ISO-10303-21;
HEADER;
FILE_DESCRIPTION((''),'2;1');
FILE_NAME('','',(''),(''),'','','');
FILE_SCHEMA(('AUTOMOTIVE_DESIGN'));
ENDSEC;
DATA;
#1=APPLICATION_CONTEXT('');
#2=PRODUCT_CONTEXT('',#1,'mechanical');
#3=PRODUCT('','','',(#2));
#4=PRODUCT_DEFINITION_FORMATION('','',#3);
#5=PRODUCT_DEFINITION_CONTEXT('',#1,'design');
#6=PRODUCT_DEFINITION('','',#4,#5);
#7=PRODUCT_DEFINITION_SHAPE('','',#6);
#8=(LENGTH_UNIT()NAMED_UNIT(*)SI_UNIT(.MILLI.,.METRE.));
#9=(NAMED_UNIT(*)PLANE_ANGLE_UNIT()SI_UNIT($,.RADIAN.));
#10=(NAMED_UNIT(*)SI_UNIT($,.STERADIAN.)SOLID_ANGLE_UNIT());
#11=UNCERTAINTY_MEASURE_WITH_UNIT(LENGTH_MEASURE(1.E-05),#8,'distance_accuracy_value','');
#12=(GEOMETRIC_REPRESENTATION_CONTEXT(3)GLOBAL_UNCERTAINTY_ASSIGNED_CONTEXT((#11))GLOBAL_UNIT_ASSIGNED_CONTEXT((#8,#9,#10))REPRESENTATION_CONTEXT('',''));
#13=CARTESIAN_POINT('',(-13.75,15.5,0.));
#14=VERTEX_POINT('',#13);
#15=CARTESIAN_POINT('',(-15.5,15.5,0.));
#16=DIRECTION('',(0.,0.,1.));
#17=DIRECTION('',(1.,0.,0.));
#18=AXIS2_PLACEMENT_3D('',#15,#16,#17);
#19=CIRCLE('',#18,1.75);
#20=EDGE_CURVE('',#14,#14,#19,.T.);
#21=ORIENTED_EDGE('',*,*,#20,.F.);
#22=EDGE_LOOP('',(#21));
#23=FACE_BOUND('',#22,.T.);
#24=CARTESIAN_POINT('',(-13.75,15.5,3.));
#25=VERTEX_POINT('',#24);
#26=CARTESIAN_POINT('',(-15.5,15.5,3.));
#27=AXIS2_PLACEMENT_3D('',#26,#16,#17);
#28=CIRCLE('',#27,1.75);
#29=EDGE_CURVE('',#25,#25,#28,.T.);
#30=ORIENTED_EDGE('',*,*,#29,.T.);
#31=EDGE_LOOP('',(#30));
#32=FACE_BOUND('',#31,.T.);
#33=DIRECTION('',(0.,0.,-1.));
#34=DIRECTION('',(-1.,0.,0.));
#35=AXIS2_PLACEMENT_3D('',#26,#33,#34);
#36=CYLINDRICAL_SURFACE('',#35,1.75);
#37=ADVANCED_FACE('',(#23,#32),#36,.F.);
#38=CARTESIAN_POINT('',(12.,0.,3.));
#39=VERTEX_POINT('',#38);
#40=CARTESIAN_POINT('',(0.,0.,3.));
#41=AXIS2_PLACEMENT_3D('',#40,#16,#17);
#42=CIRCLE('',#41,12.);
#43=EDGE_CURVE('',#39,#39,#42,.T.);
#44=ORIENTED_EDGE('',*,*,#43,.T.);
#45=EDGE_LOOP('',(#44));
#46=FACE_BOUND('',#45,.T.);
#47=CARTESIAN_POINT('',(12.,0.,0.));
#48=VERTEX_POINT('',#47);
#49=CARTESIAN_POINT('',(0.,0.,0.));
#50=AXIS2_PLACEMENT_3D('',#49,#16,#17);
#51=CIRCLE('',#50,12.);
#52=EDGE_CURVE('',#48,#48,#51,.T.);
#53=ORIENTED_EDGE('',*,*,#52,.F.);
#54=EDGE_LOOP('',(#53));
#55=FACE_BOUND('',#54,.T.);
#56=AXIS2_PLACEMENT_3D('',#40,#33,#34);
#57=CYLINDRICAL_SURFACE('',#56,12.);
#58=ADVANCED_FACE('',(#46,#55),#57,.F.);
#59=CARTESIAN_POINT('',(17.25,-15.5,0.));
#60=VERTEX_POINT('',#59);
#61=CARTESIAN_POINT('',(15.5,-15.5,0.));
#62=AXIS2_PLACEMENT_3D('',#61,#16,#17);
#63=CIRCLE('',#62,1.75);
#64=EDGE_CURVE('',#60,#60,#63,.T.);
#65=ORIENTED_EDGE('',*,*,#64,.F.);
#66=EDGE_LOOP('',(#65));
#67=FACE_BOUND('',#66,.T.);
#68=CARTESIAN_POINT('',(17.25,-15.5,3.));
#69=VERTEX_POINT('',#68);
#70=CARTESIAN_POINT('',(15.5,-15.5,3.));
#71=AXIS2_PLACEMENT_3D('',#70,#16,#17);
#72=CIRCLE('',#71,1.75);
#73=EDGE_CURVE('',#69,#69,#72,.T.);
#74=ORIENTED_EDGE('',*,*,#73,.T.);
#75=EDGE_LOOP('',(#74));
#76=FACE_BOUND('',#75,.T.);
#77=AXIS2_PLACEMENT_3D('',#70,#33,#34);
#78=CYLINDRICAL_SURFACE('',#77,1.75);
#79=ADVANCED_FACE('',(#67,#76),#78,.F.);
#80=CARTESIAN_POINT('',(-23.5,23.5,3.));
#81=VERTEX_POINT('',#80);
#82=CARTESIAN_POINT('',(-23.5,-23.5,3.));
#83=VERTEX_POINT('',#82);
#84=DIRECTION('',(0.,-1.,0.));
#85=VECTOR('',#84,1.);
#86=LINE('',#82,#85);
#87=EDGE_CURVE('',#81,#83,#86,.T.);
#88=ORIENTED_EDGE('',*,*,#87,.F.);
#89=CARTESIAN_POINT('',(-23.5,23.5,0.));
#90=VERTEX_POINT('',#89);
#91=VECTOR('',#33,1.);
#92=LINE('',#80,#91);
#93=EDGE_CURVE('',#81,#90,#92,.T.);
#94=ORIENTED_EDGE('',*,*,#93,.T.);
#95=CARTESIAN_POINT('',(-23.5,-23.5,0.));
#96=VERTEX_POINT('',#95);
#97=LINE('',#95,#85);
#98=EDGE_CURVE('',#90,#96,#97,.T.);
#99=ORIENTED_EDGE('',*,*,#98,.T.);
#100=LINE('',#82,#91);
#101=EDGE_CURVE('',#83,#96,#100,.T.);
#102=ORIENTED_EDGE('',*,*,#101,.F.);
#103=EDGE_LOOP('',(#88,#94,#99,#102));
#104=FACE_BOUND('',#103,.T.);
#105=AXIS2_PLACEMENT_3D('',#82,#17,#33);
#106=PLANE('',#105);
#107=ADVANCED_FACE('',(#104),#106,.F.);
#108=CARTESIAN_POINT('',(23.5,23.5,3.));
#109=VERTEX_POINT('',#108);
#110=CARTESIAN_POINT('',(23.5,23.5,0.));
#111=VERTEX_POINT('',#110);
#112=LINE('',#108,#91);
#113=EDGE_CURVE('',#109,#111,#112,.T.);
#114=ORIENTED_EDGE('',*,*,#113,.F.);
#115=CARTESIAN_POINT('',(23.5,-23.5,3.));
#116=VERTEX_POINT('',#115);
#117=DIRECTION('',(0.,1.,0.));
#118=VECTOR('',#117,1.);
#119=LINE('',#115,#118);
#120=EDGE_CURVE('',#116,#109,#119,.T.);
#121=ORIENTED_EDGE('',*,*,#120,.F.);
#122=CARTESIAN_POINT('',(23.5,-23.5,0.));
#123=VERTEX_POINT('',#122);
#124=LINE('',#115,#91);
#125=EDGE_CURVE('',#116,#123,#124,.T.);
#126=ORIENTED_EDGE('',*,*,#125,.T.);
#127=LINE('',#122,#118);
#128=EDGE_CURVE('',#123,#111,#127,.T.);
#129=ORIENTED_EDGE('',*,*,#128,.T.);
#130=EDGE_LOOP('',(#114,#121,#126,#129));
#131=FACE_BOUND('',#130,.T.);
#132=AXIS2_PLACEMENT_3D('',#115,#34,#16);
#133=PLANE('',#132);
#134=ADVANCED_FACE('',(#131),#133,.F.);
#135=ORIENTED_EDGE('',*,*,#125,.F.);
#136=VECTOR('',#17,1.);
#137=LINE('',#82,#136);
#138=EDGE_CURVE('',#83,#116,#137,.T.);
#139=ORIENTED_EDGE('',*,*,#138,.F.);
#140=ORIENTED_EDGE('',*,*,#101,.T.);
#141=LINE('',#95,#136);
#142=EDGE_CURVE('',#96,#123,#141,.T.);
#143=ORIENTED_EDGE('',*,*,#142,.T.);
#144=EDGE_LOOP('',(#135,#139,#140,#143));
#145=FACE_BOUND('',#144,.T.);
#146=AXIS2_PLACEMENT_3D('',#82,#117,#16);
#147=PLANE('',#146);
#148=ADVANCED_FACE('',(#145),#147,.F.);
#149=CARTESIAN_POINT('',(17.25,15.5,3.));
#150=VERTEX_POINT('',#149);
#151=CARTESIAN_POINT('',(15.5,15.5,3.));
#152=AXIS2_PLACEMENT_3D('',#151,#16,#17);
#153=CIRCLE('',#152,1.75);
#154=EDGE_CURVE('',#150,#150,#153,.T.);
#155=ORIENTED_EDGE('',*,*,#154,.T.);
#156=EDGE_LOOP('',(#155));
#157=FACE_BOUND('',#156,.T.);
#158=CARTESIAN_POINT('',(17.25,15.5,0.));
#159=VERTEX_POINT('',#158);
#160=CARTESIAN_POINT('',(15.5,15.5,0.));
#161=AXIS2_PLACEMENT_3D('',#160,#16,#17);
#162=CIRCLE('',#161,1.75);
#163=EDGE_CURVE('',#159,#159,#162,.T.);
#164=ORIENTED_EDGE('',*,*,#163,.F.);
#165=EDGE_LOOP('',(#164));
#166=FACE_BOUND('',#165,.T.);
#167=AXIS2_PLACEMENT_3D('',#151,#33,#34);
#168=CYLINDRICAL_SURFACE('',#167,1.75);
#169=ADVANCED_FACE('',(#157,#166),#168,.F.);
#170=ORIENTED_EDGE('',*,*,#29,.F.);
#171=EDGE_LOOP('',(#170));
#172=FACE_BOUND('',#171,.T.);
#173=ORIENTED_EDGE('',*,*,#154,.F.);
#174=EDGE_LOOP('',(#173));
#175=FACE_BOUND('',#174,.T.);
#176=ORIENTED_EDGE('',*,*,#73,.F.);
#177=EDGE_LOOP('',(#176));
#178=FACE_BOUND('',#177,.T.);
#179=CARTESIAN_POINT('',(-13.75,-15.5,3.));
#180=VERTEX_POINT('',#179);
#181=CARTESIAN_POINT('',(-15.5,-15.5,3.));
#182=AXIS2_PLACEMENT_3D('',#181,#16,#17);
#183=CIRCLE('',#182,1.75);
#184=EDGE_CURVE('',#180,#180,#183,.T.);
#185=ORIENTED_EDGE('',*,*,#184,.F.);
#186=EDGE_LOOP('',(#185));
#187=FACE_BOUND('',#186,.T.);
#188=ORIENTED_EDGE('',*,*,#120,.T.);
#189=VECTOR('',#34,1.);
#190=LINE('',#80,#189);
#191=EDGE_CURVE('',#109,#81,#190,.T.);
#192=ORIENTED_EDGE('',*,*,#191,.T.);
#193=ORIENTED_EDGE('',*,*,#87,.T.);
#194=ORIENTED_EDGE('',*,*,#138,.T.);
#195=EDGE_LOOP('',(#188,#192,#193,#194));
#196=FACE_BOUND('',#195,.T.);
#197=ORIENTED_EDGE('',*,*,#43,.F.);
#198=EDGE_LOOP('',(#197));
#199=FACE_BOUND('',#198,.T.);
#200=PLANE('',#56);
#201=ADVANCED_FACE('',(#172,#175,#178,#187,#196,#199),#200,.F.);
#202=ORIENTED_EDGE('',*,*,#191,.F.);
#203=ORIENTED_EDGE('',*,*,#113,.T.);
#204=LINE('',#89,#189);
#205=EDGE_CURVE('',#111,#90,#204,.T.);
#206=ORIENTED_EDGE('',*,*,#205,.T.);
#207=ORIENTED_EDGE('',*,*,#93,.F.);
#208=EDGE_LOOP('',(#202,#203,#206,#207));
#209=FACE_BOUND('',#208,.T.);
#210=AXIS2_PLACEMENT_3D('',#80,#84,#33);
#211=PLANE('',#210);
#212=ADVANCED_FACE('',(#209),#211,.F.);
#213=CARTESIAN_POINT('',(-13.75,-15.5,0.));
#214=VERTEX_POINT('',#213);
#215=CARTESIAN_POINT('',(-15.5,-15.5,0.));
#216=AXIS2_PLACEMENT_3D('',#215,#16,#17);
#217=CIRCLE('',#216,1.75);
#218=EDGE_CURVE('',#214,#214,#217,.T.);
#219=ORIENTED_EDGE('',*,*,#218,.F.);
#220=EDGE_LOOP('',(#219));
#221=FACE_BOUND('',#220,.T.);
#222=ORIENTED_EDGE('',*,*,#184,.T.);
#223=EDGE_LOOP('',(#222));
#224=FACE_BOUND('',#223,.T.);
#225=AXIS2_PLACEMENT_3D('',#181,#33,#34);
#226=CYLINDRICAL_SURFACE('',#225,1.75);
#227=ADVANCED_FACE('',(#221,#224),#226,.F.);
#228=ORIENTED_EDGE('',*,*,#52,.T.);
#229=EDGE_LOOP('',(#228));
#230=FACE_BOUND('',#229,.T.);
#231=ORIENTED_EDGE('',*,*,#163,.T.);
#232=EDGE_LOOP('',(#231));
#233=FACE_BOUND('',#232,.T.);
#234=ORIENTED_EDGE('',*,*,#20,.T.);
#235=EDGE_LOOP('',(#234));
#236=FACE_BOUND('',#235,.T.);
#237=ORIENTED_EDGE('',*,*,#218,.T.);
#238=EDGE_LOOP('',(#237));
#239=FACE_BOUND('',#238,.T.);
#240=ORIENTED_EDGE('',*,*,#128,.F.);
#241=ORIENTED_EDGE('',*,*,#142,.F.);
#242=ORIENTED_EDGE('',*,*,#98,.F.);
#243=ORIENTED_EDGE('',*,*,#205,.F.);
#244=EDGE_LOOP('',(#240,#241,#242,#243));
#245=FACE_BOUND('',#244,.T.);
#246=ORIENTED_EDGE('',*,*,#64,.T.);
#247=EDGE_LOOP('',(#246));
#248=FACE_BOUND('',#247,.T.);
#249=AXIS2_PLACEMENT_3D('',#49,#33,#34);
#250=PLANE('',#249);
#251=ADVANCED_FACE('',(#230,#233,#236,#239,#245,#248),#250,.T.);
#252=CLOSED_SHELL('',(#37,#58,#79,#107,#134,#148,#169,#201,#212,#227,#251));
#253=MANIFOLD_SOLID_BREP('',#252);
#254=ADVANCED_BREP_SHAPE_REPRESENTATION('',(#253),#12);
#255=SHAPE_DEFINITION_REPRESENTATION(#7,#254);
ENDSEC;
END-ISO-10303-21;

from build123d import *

# Parameters (mm, degrees)
SKETCH1_W           = 47
SKETCH1_H           = 47
SKETCH1_R           = 1.75
SKETCH1_R_2         = 12
BOSS_EXTRUDE1_DEPTH = 3


with BuildPart() as part:
    # Sketch1 → Boss-Extrude1 (new body)
    with BuildSketch(Plane.XY):
        Rectangle(SKETCH1_W, SKETCH1_H)
        with Locations((-15.5, 15.5)):
            Circle(SKETCH1_R, mode=Mode.SUBTRACT)
        with Locations((15.5, 15.5)):
            Circle(SKETCH1_R, mode=Mode.SUBTRACT)
        with Locations((15.5, -15.5)):
            Circle(SKETCH1_R, mode=Mode.SUBTRACT)
        with Locations((-15.5, -15.5)):
            Circle(SKETCH1_R, mode=Mode.SUBTRACT)
        Circle(SKETCH1_R_2, mode=Mode.SUBTRACT)
    extrude(amount=BOSS_EXTRUDE1_DEPTH)


solid = part.part
